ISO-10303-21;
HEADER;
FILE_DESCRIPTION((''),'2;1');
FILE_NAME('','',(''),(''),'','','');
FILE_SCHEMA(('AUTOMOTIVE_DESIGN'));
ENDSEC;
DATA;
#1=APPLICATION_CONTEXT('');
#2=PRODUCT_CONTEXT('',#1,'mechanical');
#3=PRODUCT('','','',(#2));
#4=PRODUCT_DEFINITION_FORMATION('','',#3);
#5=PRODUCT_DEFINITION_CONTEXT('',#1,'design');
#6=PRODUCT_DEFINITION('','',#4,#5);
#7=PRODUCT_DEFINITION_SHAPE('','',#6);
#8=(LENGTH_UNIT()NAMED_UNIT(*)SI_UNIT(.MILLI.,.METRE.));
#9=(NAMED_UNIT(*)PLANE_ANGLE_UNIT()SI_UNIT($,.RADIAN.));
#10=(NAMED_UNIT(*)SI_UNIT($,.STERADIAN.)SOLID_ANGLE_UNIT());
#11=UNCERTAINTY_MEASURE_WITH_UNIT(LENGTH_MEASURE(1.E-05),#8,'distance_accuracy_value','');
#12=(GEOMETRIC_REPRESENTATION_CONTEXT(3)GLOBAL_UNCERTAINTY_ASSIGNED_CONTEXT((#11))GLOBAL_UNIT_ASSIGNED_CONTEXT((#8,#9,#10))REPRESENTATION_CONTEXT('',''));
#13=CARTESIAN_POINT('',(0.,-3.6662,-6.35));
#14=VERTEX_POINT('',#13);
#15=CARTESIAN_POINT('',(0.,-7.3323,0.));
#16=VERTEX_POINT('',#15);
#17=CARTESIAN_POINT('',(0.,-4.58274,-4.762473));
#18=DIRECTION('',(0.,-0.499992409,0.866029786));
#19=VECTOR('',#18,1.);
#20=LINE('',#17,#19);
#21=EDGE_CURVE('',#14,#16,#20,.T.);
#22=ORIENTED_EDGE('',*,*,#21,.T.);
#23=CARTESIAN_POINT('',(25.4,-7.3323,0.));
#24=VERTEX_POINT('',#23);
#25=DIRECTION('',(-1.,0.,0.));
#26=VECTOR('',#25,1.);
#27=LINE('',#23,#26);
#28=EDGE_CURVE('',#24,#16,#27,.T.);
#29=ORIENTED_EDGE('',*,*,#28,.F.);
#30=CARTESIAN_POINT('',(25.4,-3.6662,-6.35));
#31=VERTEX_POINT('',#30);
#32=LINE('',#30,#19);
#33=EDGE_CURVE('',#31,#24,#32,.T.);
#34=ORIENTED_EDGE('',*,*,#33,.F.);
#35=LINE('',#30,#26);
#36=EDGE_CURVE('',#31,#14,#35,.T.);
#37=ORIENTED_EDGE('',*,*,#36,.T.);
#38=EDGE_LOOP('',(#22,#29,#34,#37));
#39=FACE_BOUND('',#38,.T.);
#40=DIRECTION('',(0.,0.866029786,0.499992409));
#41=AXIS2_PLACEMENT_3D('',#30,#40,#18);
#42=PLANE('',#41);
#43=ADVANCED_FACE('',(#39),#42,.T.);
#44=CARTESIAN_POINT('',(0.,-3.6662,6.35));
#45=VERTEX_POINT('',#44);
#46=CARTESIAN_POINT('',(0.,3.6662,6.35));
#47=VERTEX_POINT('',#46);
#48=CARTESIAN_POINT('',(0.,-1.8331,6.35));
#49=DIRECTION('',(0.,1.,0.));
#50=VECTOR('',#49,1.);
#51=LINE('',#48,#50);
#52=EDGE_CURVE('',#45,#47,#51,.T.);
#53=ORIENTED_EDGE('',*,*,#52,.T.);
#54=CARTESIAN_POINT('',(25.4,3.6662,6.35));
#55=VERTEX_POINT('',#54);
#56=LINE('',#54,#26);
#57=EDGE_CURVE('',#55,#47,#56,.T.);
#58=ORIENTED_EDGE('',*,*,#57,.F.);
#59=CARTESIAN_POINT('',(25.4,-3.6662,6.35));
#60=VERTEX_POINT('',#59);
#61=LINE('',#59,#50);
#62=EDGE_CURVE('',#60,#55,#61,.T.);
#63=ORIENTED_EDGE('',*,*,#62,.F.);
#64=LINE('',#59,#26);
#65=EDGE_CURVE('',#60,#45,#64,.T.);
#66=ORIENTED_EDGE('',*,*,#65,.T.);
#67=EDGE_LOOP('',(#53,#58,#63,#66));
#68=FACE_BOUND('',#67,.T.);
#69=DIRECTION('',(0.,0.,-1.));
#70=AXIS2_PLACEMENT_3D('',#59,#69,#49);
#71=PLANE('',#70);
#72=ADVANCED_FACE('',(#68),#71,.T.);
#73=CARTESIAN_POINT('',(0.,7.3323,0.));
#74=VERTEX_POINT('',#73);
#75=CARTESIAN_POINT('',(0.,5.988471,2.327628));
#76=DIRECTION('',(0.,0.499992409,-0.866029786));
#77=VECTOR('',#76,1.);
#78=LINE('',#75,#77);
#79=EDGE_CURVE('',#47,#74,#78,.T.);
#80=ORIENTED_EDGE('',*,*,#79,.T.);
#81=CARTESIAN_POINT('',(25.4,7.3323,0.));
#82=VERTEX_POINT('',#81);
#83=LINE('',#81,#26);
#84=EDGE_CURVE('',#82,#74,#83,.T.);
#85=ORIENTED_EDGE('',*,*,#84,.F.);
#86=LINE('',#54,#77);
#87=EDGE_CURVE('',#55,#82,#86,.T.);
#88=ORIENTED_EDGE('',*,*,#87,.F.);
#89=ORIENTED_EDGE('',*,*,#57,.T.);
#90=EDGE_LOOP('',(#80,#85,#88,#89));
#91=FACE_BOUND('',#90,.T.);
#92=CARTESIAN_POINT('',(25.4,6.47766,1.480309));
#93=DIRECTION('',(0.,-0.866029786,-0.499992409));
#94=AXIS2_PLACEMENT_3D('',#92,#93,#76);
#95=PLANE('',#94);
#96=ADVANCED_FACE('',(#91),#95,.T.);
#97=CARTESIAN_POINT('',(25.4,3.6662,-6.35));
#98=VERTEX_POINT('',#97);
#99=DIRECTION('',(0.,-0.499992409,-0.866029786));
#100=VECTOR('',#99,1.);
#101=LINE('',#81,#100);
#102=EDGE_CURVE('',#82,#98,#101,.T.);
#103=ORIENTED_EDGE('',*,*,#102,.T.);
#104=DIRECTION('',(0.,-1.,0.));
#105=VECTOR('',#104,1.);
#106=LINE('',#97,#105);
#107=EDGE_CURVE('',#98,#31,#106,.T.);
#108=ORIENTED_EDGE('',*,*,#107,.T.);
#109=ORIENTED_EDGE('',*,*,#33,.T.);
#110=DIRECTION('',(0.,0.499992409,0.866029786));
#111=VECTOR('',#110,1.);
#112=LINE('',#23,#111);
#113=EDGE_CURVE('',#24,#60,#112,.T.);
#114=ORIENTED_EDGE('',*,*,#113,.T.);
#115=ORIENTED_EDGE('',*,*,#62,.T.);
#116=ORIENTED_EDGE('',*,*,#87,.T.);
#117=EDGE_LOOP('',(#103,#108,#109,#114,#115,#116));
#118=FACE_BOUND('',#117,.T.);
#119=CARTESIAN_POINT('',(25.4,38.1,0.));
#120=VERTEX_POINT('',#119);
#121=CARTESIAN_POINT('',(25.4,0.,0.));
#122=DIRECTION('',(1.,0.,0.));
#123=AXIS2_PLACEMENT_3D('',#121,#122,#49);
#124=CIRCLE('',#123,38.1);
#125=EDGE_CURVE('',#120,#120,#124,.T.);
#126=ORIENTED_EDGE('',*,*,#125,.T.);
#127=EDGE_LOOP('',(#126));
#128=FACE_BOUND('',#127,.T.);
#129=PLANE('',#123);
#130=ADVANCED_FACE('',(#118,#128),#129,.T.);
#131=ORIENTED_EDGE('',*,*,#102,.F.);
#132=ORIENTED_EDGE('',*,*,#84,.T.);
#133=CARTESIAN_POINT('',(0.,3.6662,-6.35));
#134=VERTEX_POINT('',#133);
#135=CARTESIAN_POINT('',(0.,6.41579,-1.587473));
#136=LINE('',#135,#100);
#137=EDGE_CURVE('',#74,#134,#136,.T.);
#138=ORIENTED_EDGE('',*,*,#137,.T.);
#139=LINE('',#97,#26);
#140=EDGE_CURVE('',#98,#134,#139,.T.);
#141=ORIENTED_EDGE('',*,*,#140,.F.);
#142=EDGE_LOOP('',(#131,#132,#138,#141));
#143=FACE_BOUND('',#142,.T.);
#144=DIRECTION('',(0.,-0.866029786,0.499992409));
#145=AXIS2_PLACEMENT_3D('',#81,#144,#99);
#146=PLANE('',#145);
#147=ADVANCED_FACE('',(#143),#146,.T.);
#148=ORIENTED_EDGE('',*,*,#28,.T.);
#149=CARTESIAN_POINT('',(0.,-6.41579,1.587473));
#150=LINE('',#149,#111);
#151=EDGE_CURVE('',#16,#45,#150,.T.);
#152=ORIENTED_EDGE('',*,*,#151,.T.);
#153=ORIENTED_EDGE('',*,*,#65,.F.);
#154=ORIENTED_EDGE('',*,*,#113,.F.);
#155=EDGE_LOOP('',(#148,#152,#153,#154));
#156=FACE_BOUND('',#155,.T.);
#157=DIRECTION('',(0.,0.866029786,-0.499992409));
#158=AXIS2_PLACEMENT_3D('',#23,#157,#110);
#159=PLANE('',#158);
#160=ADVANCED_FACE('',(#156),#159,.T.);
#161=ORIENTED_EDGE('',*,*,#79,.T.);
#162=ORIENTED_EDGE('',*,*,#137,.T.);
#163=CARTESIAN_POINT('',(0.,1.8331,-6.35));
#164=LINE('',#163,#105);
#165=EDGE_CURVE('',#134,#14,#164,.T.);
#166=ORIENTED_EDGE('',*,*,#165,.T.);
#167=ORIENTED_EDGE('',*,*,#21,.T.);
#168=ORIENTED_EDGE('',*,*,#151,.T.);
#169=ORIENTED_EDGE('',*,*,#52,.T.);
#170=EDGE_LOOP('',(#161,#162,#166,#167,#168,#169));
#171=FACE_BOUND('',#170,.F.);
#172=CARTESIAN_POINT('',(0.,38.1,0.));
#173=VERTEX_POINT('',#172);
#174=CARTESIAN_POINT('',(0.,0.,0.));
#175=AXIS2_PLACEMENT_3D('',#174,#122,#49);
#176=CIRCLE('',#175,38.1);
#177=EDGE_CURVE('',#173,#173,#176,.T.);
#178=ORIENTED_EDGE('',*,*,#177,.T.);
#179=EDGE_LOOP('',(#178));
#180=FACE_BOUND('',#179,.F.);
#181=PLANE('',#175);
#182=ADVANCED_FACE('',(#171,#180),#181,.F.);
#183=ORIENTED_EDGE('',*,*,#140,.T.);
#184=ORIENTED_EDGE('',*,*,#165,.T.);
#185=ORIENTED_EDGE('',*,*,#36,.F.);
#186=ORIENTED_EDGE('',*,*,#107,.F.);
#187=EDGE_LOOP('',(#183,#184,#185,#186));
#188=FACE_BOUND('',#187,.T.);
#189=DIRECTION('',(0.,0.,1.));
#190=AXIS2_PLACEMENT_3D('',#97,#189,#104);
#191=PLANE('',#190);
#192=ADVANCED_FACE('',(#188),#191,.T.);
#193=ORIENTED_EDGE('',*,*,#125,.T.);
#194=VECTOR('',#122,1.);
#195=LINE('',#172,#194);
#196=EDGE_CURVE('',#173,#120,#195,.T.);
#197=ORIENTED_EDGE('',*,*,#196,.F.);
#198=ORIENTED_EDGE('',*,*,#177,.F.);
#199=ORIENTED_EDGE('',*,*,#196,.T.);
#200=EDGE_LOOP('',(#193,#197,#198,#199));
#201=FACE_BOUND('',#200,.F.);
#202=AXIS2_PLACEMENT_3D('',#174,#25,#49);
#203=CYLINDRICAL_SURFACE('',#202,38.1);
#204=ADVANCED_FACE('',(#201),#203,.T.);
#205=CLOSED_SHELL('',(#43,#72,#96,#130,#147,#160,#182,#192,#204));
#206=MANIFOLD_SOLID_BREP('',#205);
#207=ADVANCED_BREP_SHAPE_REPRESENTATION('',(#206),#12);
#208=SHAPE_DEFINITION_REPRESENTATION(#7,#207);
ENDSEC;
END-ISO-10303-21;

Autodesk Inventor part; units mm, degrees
ref_plane "YZ Plane" through (0, 0, 0) normal (1, 0, 0) x (0, 1, 0)
ref_plane "XZ Plane" through (0, 0, 0) normal (0, 1, 0) x (-1, 0, 0)
ref_plane "XY Plane" through (0, 0, 0) normal (0, 0, 1) x (1, 0, 0)
sketch "Sketch1" plane through (0, 0, 0) normal (1, 0, 0) x (0, 1, 0)
  circle A0 centre (0, 0) radius 38.1
  dimension "d16" = 76.2
extrude "Extrusion1" add sketch "Sketch1" along normal blind 25.4
sketch "Sketch2" plane through (25.4, 0, 0) normal (1, 0, 0) x (0, 0, -1)
  circle A0 centre (0, 0) radius 50.8
  circle A1 centre (0, 0) radius 25.4
  line L0 (6.35, 3.6662) -> (6.35, -3.6662)
  line L1 (6.35, -3.6662) -> (0, -7.3323)
  line L2 (0, -7.3323) -> (-6.35, -3.6662)
  line L3 (-6.35, -3.6662) -> (-6.35, 3.6662)
  line L4 (-6.35, 3.6662) -> (0, 7.3323)
  line L5 (0, 7.3323) -> (6.35, 3.6662)
  circle A2 centre (0, 0) radius 44.45
  line L6 (0, 0) -> (-8.488, 37.1425)
  circle A3 centre (0, 0) radius 38.1 projected
  line L7 (0, 0) -> (7.8399, 37.2847)
  arc A4 (9.1466, 43.4988) -> (-9.9027, 43.3329) centre (0, 0) ccw
  point P0 (5.2266, 24.8564)
  point P1 (-5.6587, 24.7616)
  dimension "d3" = 25.4
  dimension "d4" = 6.35
  dimension "d5" = 0
  dimension "d8" = 6.35
  dimension "d9" = 19.05
  dimension "d10" = 0
extrude "Extrusion4" cut sketch "Sketch2" against normal through all contours L7 L6 L4 L5 | L5 L0 L1 L2 L3 L4 L6 L7
sketch "Sketch3" plane through (25.4, 0, 0) normal (1, 0, 0) x (0, 0, -1)
  line L0 (0, 0) -> (-37.1969, -8.2463)
  circle A0 centre (0, 0) radius 38.1 projected
  line L1 (0, 0) -> (-31.7928, 7.0483)
  line L2 (-12.399, 0) -> (-37.1969, -8.2463)
  line L3 (-12.399, 0) -> (-37.1969, 8.2463)
  line L4 (-34.4249, -7.3246) -> (-34.4249, 7.3246)
  line L5 (-21.0406, -2.8737) -> (-21.0406, 2.8737)
  point P0 (-8.5331, -1.8918)
  point P1 (-8.5331, 1.8918)
  point P2 (-22.3038, 4.9446)
  point P3 (-22.3038, -4.9446)
  dimension "d19" = 25
extrude "Extrusion5" [suppressed]
pattern_circular "Circular Pattern2" [suppressed]
properties part number "Compliance wheel" material "ABS Plastic"
